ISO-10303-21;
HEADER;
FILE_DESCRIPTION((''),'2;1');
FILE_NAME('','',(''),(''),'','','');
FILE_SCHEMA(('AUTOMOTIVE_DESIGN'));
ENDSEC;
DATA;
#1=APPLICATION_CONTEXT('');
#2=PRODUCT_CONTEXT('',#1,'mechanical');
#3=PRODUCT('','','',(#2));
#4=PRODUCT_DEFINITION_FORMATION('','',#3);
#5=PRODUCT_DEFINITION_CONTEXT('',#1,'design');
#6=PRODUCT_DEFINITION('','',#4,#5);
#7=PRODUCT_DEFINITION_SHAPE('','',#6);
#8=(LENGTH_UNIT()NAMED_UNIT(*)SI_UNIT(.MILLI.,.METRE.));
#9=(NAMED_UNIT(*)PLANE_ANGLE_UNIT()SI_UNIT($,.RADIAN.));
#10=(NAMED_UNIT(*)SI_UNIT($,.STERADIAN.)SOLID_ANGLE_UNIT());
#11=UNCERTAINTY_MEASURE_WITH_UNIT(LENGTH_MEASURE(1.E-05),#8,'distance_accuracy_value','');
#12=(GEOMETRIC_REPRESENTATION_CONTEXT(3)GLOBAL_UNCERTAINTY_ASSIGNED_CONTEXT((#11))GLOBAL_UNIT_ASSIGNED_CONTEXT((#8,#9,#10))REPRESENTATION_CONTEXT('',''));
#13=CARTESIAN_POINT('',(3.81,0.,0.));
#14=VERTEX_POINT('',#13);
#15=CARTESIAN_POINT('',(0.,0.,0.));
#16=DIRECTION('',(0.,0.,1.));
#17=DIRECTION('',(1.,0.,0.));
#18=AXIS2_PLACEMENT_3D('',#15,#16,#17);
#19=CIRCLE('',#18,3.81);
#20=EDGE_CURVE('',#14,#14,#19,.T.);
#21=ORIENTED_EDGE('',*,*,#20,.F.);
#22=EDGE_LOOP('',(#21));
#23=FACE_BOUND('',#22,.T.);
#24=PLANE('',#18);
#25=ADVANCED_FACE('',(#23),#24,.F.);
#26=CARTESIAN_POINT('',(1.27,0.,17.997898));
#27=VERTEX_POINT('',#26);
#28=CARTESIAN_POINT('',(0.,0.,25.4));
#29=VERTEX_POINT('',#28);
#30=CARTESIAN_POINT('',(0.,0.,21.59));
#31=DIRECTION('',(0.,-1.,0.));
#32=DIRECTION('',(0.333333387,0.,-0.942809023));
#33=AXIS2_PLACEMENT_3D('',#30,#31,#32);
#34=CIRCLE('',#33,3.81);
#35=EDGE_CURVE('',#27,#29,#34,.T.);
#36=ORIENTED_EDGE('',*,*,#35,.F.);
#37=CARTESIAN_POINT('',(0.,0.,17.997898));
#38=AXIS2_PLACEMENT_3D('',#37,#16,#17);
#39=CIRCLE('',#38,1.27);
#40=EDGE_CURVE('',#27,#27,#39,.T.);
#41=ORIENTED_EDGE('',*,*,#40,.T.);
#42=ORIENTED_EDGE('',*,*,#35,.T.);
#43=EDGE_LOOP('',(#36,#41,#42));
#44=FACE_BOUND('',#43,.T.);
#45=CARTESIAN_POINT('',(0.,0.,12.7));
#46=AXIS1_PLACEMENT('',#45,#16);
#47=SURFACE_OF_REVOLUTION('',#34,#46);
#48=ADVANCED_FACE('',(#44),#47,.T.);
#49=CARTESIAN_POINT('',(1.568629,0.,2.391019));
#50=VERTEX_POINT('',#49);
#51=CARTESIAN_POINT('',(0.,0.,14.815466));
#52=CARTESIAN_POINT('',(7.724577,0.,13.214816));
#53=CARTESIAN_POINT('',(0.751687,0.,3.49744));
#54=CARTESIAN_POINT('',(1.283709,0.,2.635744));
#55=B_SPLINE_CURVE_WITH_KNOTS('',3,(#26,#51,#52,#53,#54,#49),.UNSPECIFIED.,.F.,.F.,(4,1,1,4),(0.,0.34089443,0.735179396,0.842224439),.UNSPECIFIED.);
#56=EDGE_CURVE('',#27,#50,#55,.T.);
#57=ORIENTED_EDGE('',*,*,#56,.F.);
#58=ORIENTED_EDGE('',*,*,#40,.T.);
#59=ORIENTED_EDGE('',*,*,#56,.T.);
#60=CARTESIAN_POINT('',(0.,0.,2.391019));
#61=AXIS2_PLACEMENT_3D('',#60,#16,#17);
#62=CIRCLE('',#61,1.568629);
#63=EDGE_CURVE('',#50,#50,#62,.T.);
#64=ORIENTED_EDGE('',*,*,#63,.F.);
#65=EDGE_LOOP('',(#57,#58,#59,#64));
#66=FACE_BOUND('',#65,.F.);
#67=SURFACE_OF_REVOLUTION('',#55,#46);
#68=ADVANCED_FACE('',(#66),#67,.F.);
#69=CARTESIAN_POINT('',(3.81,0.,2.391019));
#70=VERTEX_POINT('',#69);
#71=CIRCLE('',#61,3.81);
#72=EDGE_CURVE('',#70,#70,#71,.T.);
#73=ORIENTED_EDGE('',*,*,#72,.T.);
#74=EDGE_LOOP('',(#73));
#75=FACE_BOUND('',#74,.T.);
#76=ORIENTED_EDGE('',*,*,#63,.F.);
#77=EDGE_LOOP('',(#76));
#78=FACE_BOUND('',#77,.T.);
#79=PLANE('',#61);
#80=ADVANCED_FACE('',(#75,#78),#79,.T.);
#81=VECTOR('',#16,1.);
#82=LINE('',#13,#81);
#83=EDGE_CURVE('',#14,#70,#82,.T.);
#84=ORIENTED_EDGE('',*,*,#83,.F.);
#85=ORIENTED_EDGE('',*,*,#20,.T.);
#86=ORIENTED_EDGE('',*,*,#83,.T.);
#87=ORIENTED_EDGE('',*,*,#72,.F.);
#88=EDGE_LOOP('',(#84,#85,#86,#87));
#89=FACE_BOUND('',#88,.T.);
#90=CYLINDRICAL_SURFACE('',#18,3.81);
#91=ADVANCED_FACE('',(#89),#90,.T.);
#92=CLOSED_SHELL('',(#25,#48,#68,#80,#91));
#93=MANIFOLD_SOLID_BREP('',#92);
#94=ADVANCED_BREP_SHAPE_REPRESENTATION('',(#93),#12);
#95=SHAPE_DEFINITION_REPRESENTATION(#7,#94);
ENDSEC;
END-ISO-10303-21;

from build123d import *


with BuildPart() as f1:
    # F0 (on Front) → F1 (revolve)
    with BuildSketch(Plane.XZ):
        with BuildLine():
            Line((0, 25.4), (0, 0))
            Line((0, 0), (3.81, 0))
            add(Edge.make_bspline(
                [(1.5686286913, 2.3910187408), (1.9885761192, 2.0303137609), (2.7807060762, 1.5376676162), (3.81, 0)],
                knots=[0.8422244388, 0.8422244388, 0.8422244388, 0.8422244388, 1, 1, 1, 1], degree=3))
            add(Edge.make_bspline(
                [(1.27, 17.9978976232), (0, 14.8154656209), (7.7245770908, 13.2148158432), (0.7516867992, 3.4974396809), (1.2837094687, 2.6357440937), (1.5686286913, 2.3910187408)],
                knots=[0, 0, 0, 0, 0.3408944302, 0.7351793963, 0.8422244388, 0.8422244388, 0.8422244388, 0.8422244388], degree=3))
            ThreePointArc((1.27, 17.9978976232), (3.7551303086, 22.234278545), (0, 25.4))
        make_face()
        with BuildLine():
            add(Edge.make_bspline(
                [(1.5686286913, 2.3910187408), (1.9885761192, 2.0303137609), (2.7807060762, 1.5376676162), (3.81, 0)],
                knots=[0.8422244388, 0.8422244388, 0.8422244388, 0.8422244388, 1, 1, 1, 1], degree=3))
            Line((3.81, 0), (3.81, 2.3910187408))
            Line((3.81, 2.3910187408), (1.5686286913, 2.3910187408))
        make_face()
    revolve(axis=Axis((0, 0, 12.7), (0, 0, 1)))


solid = f1.part
